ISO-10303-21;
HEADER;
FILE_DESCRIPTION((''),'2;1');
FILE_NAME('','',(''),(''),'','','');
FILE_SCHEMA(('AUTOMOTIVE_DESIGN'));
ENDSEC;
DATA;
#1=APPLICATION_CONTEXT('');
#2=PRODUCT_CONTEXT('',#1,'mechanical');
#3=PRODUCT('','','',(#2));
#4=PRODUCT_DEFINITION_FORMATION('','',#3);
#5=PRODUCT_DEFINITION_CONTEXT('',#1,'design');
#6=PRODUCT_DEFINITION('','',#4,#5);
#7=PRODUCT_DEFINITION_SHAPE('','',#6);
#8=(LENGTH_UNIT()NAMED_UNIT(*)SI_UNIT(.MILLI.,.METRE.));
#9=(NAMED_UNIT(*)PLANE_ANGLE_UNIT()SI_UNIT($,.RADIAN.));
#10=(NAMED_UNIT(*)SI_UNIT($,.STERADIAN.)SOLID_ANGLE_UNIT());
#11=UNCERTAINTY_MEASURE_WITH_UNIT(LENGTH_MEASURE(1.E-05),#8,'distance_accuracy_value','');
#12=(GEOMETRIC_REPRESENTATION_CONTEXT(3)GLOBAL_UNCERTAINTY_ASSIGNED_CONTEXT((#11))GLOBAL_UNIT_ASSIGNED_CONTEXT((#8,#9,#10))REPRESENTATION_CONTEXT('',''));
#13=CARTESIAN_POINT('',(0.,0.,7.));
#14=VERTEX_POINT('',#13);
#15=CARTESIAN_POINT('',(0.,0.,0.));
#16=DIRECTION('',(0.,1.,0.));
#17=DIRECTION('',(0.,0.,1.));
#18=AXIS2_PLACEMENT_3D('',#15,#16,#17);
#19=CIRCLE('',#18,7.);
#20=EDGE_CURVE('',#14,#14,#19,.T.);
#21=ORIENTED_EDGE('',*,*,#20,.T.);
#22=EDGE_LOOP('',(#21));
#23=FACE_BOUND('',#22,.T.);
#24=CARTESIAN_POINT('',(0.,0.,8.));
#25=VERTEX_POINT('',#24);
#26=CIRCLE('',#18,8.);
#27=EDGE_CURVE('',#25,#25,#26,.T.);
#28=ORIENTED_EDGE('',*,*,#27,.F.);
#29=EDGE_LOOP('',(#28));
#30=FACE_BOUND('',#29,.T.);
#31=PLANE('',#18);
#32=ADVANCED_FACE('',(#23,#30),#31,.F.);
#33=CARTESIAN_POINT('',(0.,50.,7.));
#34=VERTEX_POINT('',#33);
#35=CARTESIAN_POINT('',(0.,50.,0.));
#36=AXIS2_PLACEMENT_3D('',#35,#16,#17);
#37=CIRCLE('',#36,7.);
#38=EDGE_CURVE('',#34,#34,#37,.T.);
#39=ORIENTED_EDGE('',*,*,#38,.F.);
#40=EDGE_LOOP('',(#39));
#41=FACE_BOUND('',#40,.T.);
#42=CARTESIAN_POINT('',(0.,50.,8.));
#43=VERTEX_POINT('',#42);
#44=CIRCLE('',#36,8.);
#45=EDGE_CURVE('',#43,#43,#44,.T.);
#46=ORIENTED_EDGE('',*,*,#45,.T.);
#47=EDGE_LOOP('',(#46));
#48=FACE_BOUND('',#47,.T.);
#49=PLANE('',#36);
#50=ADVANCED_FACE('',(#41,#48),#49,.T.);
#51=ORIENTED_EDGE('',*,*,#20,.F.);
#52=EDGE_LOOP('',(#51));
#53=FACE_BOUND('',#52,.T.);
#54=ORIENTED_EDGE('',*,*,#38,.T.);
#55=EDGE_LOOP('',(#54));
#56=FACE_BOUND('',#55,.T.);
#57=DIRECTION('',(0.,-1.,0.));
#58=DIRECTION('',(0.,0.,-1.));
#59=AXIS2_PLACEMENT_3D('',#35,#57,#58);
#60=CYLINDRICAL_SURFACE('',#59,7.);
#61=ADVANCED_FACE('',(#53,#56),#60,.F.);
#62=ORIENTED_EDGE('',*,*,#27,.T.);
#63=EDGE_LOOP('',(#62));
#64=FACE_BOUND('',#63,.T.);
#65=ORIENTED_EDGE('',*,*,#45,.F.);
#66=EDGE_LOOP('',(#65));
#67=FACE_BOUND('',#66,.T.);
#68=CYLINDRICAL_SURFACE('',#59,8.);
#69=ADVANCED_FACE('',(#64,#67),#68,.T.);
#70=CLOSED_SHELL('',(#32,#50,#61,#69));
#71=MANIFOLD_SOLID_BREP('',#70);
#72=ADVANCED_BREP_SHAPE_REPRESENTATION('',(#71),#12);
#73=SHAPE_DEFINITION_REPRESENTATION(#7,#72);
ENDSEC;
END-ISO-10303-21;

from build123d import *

# Parameters (mm, degrees)
SKETCH_1_R      = 8
SKETCH_1_R_2    = 7
EXTRUDE_1_DEPTH = 50


with BuildPart() as part:
    # Эскиз1 → Бобышка-Вытянуть1 (new body)
    with BuildSketch(Plane(origin=(0, 0, 0), x_dir=(1, 0, 0), z_dir=(0, 1, 0))):
        with Locations(Location((0, 0, 0), (0, 0, 270))):
            Circle(SKETCH_1_R)
        with Locations(Location((0, 0, 0), (0, 0, 270))):
            Circle(SKETCH_1_R_2, mode=Mode.SUBTRACT)
    extrude(amount=EXTRUDE_1_DEPTH)


solid = part.part
